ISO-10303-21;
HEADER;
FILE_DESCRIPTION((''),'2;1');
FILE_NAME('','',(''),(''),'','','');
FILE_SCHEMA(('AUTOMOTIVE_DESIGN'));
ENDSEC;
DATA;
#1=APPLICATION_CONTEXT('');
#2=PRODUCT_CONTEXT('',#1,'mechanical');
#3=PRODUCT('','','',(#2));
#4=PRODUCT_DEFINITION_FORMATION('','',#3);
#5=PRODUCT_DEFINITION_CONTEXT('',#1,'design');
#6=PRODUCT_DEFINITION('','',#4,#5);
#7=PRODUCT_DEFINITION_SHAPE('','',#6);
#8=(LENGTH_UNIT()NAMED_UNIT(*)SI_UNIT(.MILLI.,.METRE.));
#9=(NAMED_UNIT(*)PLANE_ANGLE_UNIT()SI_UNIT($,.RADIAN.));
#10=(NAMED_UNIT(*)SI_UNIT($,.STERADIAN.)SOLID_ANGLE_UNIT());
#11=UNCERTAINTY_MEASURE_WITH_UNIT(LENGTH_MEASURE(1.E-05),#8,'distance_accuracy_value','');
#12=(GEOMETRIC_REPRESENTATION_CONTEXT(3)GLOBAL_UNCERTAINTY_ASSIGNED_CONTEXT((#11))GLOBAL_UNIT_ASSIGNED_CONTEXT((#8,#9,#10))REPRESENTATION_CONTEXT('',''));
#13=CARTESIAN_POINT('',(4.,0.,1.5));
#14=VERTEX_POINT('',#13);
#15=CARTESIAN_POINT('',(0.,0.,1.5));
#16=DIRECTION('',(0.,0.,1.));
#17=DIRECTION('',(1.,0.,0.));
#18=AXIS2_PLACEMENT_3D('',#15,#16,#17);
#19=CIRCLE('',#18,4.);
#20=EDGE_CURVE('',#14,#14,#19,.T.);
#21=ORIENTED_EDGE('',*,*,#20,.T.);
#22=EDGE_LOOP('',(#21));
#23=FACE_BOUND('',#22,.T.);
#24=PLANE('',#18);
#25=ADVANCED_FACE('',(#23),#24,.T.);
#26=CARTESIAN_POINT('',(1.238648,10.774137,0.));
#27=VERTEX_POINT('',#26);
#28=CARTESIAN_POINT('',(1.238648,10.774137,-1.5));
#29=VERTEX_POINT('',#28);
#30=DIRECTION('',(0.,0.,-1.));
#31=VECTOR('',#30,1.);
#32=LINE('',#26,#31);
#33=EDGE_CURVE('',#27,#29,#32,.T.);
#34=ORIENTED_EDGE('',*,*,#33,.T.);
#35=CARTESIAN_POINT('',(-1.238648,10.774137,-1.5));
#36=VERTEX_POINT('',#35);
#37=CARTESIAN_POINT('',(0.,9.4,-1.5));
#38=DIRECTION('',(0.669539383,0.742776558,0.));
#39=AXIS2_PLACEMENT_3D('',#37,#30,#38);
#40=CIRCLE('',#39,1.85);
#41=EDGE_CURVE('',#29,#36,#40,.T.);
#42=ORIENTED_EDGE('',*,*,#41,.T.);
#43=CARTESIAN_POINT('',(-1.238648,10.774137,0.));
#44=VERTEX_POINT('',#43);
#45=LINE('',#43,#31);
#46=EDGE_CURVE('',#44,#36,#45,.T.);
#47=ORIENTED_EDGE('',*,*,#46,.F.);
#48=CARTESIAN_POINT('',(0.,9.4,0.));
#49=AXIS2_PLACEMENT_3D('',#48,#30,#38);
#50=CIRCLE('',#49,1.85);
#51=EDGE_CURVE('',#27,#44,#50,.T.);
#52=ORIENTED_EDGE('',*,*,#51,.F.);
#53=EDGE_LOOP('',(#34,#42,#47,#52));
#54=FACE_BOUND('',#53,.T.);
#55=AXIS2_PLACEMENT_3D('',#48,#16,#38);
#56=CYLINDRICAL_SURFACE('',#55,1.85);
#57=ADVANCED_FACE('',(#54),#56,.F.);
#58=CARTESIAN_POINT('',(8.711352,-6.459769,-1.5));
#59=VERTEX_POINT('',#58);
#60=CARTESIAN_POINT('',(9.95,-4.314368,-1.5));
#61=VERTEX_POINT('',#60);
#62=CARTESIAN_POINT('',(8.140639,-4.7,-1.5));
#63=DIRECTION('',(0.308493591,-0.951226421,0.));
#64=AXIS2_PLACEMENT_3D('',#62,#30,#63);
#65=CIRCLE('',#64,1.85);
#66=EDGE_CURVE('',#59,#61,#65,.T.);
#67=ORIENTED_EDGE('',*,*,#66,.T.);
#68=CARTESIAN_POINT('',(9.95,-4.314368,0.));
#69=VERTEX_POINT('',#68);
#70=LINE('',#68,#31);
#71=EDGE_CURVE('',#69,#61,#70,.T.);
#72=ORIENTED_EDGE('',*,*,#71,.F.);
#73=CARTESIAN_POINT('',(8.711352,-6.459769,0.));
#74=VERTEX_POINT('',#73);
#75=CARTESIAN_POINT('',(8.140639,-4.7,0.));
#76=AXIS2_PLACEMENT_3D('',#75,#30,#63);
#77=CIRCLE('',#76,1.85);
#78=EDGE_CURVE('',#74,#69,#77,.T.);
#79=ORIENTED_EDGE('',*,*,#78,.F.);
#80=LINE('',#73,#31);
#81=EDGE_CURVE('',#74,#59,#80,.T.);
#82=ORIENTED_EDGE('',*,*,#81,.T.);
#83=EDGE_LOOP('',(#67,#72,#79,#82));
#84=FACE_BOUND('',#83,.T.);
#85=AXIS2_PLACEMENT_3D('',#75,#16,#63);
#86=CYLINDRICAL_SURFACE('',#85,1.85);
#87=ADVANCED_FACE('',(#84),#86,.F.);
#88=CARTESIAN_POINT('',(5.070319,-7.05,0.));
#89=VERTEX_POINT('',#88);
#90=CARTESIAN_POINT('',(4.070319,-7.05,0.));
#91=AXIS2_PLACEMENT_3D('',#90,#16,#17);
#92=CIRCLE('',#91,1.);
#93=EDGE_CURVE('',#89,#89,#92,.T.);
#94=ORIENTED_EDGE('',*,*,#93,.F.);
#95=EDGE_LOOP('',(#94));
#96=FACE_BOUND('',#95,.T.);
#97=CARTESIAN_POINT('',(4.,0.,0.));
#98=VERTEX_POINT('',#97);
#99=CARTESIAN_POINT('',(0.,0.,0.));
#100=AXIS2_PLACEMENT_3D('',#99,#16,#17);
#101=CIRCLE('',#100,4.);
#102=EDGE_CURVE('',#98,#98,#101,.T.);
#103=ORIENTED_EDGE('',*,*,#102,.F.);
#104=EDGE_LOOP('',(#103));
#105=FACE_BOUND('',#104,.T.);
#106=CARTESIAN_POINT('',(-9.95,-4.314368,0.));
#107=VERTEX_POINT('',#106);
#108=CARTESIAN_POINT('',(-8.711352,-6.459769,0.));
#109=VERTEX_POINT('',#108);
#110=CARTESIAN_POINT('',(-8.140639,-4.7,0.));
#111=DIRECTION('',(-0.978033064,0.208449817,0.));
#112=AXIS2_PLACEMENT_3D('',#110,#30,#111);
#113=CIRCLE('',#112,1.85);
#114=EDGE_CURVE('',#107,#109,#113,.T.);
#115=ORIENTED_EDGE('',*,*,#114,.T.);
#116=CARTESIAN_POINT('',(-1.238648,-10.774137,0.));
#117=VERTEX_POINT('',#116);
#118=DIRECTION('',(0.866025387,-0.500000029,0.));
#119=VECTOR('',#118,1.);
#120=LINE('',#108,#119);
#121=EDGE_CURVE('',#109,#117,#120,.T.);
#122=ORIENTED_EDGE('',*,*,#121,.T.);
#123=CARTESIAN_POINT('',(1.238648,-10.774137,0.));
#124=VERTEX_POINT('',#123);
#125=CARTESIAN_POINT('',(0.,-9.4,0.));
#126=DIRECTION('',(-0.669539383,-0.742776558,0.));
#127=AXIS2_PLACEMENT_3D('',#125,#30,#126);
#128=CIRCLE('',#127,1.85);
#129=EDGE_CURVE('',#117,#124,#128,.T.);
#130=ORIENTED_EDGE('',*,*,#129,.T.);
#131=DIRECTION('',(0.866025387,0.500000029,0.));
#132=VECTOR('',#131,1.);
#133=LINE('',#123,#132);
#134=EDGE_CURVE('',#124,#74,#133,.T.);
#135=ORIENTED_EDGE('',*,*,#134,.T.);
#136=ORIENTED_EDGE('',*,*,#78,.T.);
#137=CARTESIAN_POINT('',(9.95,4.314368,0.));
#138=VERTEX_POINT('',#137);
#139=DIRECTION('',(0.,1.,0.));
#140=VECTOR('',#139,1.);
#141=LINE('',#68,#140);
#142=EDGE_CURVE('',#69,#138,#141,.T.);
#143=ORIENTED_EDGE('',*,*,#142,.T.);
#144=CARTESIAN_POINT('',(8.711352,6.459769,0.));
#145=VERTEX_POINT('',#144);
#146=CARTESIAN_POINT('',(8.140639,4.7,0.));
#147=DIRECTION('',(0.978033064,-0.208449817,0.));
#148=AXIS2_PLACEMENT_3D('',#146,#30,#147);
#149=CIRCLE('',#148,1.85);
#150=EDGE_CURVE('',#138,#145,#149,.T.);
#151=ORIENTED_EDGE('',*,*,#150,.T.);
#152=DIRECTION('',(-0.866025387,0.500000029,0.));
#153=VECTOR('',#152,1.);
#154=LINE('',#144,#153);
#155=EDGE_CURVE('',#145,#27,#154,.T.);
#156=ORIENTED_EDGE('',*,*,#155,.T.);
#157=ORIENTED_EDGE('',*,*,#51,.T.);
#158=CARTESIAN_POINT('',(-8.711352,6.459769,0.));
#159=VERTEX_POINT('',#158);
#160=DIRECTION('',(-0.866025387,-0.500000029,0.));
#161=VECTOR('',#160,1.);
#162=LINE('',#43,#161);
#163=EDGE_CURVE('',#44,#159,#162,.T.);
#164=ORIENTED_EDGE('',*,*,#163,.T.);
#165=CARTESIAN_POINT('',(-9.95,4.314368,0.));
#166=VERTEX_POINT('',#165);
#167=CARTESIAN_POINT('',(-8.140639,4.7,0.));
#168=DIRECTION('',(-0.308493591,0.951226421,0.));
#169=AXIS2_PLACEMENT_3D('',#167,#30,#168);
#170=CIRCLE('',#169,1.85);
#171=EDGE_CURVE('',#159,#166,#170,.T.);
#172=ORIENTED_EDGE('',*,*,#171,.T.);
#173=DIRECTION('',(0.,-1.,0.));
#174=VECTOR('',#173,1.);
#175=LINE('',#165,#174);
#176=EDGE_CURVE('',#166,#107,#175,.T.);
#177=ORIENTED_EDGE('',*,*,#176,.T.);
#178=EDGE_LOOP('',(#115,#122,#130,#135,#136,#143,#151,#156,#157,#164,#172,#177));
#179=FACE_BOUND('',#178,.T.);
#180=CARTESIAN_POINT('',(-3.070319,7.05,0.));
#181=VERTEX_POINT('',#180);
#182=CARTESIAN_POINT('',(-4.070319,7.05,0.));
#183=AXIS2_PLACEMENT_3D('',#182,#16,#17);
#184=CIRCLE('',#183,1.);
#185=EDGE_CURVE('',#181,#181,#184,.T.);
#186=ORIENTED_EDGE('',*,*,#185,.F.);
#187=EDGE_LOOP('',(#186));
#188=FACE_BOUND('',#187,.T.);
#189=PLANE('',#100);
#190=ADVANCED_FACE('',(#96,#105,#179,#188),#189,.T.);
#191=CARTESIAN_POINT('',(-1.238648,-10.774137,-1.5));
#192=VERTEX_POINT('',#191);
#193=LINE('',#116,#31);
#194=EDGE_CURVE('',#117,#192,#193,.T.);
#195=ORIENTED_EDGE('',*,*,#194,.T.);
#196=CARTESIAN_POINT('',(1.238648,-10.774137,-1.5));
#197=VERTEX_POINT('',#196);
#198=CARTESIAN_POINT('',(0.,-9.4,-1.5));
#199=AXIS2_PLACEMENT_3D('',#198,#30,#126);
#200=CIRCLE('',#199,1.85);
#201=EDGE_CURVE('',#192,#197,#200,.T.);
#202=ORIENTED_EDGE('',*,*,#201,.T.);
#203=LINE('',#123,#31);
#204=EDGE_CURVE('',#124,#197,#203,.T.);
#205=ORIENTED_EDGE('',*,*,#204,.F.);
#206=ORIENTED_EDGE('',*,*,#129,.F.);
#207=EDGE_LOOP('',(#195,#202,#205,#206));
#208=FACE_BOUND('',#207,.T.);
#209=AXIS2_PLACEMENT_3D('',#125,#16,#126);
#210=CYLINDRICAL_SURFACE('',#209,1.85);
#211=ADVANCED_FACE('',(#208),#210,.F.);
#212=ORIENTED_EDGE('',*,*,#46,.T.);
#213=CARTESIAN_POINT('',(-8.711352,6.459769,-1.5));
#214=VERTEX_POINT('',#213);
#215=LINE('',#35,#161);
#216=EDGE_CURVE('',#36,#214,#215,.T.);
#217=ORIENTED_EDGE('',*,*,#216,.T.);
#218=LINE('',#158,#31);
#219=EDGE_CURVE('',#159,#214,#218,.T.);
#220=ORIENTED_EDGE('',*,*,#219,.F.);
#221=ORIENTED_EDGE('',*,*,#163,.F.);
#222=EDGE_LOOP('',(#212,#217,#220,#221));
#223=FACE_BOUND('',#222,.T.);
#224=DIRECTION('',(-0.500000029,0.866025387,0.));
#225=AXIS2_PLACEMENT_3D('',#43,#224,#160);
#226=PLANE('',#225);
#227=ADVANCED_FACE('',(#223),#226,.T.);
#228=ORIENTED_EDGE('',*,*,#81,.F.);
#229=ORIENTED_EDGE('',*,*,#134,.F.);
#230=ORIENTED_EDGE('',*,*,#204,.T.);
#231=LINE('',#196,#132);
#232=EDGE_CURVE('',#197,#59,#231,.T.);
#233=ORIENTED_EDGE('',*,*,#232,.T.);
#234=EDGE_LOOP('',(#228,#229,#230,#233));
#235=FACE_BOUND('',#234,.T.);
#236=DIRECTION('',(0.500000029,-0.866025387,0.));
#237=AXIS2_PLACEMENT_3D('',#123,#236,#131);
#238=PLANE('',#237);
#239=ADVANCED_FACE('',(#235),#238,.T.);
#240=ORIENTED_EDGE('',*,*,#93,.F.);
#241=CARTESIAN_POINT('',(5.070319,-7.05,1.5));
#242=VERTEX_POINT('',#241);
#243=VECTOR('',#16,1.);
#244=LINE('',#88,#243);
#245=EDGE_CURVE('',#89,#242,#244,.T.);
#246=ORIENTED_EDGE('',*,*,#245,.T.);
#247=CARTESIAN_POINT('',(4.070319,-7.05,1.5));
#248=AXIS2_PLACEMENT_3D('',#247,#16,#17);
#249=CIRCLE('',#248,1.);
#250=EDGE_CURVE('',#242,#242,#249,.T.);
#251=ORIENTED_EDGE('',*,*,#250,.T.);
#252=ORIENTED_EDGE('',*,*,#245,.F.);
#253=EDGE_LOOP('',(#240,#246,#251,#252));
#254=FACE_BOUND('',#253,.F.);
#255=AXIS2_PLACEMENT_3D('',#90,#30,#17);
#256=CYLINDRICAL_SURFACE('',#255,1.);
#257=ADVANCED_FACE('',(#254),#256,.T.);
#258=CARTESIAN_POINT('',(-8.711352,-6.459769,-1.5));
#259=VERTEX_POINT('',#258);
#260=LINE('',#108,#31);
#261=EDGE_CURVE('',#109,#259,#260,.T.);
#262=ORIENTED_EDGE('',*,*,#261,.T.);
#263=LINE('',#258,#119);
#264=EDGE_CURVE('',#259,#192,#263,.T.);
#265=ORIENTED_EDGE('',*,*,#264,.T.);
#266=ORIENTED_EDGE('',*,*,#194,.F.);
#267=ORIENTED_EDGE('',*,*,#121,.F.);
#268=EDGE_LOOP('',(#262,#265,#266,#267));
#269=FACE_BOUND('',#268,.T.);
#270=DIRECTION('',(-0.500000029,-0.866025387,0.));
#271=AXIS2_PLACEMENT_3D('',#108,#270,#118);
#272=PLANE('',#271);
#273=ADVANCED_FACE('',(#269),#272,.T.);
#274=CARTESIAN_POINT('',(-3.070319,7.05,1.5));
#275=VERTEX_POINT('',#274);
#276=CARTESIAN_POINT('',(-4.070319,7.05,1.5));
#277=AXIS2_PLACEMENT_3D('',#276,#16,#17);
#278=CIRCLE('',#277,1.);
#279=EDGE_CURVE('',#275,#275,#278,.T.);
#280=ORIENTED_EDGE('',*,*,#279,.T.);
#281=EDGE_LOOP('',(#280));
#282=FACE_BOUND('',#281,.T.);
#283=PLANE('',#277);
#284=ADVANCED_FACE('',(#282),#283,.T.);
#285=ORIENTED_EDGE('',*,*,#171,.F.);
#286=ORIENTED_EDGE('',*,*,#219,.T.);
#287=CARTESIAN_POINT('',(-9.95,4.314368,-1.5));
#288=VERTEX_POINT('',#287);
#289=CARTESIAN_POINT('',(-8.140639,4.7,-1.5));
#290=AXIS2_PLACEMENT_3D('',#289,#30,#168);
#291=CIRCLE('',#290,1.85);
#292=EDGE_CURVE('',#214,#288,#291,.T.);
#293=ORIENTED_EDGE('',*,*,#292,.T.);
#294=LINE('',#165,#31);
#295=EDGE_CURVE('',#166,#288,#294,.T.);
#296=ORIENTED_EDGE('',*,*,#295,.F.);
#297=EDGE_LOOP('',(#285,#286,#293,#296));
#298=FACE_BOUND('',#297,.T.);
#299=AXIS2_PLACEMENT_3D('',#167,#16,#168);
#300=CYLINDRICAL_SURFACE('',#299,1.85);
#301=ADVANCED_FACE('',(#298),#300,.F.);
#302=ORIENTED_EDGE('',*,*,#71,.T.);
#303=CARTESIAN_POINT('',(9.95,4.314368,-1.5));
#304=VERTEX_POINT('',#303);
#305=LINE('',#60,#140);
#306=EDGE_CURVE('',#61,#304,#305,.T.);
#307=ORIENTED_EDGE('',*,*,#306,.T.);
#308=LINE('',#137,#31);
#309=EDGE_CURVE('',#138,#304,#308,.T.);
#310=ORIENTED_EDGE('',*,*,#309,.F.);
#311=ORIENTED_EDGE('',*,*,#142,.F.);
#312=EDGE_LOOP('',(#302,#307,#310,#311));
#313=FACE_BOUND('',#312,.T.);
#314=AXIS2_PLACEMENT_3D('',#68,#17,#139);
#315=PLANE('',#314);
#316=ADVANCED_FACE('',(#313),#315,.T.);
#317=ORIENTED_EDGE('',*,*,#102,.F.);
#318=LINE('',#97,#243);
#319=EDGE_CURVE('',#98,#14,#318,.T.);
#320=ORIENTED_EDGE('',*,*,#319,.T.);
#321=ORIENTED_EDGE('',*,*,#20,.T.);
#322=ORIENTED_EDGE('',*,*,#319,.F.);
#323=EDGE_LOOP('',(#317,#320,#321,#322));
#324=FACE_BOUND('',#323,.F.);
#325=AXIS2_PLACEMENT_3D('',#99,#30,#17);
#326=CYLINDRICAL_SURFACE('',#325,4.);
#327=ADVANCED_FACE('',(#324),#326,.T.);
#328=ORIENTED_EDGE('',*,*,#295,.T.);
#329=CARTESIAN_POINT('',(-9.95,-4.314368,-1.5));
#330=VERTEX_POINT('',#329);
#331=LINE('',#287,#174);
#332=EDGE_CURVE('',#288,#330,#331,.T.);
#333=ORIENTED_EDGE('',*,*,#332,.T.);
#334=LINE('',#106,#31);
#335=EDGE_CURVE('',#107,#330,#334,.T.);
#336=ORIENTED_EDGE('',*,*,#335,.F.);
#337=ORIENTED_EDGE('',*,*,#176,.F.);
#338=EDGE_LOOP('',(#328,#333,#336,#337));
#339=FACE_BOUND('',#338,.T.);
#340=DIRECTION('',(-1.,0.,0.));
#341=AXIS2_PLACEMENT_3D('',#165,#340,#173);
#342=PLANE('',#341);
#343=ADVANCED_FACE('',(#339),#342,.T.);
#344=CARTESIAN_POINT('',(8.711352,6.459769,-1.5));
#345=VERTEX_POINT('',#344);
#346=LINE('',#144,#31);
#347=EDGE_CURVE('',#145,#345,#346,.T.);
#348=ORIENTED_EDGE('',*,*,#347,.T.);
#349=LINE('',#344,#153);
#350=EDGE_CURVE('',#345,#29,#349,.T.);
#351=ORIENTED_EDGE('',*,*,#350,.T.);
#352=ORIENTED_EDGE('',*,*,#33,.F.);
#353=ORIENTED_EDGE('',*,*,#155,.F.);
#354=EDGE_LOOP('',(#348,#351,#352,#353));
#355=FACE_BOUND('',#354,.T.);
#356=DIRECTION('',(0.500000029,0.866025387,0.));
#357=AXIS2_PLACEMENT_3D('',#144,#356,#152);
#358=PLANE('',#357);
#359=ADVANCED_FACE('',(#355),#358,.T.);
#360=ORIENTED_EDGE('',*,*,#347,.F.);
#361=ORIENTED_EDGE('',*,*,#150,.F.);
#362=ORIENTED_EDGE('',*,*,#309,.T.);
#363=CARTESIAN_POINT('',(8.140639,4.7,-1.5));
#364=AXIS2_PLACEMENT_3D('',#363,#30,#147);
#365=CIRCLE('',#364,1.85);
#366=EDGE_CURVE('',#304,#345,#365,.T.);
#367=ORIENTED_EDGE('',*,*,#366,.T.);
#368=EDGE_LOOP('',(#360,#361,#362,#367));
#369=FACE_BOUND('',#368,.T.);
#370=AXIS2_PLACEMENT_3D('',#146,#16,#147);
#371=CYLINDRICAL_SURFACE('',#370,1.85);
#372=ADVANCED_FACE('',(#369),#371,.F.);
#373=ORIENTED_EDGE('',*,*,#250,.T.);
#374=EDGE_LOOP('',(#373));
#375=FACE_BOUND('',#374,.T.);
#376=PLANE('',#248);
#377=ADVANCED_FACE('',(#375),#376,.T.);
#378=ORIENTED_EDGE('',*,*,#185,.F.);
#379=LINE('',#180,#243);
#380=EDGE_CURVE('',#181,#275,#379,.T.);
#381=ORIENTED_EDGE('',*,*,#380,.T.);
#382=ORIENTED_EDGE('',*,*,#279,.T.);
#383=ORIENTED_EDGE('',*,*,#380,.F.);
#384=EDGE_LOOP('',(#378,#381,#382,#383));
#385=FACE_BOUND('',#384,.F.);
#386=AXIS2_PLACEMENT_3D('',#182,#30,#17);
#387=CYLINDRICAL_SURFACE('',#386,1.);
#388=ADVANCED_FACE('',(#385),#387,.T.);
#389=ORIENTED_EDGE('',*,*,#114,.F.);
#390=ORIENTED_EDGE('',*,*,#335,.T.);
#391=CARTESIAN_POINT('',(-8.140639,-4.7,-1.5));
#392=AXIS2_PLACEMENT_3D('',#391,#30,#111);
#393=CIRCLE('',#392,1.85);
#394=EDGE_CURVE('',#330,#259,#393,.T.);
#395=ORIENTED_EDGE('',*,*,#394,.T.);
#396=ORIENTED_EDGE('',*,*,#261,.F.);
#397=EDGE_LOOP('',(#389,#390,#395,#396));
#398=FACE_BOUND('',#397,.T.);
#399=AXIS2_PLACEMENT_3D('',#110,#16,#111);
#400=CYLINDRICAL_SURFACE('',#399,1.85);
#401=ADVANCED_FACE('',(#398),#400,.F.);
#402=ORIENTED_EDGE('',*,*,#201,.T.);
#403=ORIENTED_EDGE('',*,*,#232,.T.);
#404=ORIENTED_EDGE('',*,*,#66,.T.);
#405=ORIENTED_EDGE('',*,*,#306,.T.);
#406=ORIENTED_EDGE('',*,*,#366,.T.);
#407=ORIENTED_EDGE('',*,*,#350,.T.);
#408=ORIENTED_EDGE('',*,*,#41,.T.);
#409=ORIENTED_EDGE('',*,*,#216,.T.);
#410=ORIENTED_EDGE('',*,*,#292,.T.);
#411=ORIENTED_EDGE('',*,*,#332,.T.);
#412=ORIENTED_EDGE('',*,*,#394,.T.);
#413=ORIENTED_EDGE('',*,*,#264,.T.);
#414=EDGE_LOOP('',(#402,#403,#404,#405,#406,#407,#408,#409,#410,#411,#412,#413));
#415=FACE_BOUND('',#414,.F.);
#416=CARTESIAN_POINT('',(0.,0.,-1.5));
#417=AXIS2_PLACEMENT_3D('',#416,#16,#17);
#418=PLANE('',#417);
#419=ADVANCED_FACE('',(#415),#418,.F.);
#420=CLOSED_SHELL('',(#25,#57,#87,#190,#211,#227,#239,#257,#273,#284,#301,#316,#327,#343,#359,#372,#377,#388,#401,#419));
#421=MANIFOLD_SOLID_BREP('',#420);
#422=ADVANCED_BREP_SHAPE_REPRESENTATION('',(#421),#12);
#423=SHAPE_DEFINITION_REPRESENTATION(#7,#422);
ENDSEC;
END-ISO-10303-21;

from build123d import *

# Parameters (mm, degrees)
F0_R     = 1
F1_DEPTH = 1.5
F2_R     = 4
F3_DEPTH = 1.5


with BuildPart() as f1:
    # F0 (on Top) → F1 (new body)
    with BuildSketch(Plane.XY):
        with BuildLine():
            Line((9.95, -4.314368), (9.95, 4.314368))
            ThreePointArc((9.95, 4.314368), (6.538492, 3.775), (8.711352, 6.459769))
            Line((8.711352, 6.459769), (1.238648, 10.774137))
            ThreePointArc((1.238648, 10.774137), (0, 7.55), (-1.238648, 10.774137))
            Line((-1.238648, 10.774137), (-8.711352, 6.459769))
            ThreePointArc((-8.711352, 6.459769), (-6.538492, 3.775), (-9.95, 4.314368))
            Line((-9.95, 4.314368), (-9.95, -4.314368))
            ThreePointArc((-9.95, -4.314368), (-6.538492, -3.775), (-8.711352, -6.459769))
            Line((-8.711352, -6.459769), (-1.238648, -10.774137))
            ThreePointArc((-1.238648, -10.774137), (0, -7.55), (1.238648, -10.774137))
            Line((1.238648, -10.774137), (8.711352, -6.459769))
            ThreePointArc((8.711352, -6.459769), (6.538492, -3.775), (9.95, -4.314368))
        make_face()
        with Locations((4.070319, -7.05)):
            Circle(F0_R, mode=Mode.SUBTRACT)
        with Locations((-4.070319, 7.05)):
            Circle(F0_R, mode=Mode.SUBTRACT)
        with Locations((4.070319, -7.05)):
            Circle(F0_R)
        with Locations((-4.070319, 7.05)):
            Circle(F0_R)
    extrude(amount=-F1_DEPTH)

    # F2 (on face) + F0 (on Top) → F3 (join)
    with BuildSketch(Plane.XY):
        Circle(F2_R)
    with BuildSketch(Plane.XY):
        with Locations((-4.070319, 7.05)):
            Circle(F0_R)
        with Locations((4.070319, -7.05)):
            Circle(F0_R)
    extrude(amount=F3_DEPTH)


solid = f1.part
